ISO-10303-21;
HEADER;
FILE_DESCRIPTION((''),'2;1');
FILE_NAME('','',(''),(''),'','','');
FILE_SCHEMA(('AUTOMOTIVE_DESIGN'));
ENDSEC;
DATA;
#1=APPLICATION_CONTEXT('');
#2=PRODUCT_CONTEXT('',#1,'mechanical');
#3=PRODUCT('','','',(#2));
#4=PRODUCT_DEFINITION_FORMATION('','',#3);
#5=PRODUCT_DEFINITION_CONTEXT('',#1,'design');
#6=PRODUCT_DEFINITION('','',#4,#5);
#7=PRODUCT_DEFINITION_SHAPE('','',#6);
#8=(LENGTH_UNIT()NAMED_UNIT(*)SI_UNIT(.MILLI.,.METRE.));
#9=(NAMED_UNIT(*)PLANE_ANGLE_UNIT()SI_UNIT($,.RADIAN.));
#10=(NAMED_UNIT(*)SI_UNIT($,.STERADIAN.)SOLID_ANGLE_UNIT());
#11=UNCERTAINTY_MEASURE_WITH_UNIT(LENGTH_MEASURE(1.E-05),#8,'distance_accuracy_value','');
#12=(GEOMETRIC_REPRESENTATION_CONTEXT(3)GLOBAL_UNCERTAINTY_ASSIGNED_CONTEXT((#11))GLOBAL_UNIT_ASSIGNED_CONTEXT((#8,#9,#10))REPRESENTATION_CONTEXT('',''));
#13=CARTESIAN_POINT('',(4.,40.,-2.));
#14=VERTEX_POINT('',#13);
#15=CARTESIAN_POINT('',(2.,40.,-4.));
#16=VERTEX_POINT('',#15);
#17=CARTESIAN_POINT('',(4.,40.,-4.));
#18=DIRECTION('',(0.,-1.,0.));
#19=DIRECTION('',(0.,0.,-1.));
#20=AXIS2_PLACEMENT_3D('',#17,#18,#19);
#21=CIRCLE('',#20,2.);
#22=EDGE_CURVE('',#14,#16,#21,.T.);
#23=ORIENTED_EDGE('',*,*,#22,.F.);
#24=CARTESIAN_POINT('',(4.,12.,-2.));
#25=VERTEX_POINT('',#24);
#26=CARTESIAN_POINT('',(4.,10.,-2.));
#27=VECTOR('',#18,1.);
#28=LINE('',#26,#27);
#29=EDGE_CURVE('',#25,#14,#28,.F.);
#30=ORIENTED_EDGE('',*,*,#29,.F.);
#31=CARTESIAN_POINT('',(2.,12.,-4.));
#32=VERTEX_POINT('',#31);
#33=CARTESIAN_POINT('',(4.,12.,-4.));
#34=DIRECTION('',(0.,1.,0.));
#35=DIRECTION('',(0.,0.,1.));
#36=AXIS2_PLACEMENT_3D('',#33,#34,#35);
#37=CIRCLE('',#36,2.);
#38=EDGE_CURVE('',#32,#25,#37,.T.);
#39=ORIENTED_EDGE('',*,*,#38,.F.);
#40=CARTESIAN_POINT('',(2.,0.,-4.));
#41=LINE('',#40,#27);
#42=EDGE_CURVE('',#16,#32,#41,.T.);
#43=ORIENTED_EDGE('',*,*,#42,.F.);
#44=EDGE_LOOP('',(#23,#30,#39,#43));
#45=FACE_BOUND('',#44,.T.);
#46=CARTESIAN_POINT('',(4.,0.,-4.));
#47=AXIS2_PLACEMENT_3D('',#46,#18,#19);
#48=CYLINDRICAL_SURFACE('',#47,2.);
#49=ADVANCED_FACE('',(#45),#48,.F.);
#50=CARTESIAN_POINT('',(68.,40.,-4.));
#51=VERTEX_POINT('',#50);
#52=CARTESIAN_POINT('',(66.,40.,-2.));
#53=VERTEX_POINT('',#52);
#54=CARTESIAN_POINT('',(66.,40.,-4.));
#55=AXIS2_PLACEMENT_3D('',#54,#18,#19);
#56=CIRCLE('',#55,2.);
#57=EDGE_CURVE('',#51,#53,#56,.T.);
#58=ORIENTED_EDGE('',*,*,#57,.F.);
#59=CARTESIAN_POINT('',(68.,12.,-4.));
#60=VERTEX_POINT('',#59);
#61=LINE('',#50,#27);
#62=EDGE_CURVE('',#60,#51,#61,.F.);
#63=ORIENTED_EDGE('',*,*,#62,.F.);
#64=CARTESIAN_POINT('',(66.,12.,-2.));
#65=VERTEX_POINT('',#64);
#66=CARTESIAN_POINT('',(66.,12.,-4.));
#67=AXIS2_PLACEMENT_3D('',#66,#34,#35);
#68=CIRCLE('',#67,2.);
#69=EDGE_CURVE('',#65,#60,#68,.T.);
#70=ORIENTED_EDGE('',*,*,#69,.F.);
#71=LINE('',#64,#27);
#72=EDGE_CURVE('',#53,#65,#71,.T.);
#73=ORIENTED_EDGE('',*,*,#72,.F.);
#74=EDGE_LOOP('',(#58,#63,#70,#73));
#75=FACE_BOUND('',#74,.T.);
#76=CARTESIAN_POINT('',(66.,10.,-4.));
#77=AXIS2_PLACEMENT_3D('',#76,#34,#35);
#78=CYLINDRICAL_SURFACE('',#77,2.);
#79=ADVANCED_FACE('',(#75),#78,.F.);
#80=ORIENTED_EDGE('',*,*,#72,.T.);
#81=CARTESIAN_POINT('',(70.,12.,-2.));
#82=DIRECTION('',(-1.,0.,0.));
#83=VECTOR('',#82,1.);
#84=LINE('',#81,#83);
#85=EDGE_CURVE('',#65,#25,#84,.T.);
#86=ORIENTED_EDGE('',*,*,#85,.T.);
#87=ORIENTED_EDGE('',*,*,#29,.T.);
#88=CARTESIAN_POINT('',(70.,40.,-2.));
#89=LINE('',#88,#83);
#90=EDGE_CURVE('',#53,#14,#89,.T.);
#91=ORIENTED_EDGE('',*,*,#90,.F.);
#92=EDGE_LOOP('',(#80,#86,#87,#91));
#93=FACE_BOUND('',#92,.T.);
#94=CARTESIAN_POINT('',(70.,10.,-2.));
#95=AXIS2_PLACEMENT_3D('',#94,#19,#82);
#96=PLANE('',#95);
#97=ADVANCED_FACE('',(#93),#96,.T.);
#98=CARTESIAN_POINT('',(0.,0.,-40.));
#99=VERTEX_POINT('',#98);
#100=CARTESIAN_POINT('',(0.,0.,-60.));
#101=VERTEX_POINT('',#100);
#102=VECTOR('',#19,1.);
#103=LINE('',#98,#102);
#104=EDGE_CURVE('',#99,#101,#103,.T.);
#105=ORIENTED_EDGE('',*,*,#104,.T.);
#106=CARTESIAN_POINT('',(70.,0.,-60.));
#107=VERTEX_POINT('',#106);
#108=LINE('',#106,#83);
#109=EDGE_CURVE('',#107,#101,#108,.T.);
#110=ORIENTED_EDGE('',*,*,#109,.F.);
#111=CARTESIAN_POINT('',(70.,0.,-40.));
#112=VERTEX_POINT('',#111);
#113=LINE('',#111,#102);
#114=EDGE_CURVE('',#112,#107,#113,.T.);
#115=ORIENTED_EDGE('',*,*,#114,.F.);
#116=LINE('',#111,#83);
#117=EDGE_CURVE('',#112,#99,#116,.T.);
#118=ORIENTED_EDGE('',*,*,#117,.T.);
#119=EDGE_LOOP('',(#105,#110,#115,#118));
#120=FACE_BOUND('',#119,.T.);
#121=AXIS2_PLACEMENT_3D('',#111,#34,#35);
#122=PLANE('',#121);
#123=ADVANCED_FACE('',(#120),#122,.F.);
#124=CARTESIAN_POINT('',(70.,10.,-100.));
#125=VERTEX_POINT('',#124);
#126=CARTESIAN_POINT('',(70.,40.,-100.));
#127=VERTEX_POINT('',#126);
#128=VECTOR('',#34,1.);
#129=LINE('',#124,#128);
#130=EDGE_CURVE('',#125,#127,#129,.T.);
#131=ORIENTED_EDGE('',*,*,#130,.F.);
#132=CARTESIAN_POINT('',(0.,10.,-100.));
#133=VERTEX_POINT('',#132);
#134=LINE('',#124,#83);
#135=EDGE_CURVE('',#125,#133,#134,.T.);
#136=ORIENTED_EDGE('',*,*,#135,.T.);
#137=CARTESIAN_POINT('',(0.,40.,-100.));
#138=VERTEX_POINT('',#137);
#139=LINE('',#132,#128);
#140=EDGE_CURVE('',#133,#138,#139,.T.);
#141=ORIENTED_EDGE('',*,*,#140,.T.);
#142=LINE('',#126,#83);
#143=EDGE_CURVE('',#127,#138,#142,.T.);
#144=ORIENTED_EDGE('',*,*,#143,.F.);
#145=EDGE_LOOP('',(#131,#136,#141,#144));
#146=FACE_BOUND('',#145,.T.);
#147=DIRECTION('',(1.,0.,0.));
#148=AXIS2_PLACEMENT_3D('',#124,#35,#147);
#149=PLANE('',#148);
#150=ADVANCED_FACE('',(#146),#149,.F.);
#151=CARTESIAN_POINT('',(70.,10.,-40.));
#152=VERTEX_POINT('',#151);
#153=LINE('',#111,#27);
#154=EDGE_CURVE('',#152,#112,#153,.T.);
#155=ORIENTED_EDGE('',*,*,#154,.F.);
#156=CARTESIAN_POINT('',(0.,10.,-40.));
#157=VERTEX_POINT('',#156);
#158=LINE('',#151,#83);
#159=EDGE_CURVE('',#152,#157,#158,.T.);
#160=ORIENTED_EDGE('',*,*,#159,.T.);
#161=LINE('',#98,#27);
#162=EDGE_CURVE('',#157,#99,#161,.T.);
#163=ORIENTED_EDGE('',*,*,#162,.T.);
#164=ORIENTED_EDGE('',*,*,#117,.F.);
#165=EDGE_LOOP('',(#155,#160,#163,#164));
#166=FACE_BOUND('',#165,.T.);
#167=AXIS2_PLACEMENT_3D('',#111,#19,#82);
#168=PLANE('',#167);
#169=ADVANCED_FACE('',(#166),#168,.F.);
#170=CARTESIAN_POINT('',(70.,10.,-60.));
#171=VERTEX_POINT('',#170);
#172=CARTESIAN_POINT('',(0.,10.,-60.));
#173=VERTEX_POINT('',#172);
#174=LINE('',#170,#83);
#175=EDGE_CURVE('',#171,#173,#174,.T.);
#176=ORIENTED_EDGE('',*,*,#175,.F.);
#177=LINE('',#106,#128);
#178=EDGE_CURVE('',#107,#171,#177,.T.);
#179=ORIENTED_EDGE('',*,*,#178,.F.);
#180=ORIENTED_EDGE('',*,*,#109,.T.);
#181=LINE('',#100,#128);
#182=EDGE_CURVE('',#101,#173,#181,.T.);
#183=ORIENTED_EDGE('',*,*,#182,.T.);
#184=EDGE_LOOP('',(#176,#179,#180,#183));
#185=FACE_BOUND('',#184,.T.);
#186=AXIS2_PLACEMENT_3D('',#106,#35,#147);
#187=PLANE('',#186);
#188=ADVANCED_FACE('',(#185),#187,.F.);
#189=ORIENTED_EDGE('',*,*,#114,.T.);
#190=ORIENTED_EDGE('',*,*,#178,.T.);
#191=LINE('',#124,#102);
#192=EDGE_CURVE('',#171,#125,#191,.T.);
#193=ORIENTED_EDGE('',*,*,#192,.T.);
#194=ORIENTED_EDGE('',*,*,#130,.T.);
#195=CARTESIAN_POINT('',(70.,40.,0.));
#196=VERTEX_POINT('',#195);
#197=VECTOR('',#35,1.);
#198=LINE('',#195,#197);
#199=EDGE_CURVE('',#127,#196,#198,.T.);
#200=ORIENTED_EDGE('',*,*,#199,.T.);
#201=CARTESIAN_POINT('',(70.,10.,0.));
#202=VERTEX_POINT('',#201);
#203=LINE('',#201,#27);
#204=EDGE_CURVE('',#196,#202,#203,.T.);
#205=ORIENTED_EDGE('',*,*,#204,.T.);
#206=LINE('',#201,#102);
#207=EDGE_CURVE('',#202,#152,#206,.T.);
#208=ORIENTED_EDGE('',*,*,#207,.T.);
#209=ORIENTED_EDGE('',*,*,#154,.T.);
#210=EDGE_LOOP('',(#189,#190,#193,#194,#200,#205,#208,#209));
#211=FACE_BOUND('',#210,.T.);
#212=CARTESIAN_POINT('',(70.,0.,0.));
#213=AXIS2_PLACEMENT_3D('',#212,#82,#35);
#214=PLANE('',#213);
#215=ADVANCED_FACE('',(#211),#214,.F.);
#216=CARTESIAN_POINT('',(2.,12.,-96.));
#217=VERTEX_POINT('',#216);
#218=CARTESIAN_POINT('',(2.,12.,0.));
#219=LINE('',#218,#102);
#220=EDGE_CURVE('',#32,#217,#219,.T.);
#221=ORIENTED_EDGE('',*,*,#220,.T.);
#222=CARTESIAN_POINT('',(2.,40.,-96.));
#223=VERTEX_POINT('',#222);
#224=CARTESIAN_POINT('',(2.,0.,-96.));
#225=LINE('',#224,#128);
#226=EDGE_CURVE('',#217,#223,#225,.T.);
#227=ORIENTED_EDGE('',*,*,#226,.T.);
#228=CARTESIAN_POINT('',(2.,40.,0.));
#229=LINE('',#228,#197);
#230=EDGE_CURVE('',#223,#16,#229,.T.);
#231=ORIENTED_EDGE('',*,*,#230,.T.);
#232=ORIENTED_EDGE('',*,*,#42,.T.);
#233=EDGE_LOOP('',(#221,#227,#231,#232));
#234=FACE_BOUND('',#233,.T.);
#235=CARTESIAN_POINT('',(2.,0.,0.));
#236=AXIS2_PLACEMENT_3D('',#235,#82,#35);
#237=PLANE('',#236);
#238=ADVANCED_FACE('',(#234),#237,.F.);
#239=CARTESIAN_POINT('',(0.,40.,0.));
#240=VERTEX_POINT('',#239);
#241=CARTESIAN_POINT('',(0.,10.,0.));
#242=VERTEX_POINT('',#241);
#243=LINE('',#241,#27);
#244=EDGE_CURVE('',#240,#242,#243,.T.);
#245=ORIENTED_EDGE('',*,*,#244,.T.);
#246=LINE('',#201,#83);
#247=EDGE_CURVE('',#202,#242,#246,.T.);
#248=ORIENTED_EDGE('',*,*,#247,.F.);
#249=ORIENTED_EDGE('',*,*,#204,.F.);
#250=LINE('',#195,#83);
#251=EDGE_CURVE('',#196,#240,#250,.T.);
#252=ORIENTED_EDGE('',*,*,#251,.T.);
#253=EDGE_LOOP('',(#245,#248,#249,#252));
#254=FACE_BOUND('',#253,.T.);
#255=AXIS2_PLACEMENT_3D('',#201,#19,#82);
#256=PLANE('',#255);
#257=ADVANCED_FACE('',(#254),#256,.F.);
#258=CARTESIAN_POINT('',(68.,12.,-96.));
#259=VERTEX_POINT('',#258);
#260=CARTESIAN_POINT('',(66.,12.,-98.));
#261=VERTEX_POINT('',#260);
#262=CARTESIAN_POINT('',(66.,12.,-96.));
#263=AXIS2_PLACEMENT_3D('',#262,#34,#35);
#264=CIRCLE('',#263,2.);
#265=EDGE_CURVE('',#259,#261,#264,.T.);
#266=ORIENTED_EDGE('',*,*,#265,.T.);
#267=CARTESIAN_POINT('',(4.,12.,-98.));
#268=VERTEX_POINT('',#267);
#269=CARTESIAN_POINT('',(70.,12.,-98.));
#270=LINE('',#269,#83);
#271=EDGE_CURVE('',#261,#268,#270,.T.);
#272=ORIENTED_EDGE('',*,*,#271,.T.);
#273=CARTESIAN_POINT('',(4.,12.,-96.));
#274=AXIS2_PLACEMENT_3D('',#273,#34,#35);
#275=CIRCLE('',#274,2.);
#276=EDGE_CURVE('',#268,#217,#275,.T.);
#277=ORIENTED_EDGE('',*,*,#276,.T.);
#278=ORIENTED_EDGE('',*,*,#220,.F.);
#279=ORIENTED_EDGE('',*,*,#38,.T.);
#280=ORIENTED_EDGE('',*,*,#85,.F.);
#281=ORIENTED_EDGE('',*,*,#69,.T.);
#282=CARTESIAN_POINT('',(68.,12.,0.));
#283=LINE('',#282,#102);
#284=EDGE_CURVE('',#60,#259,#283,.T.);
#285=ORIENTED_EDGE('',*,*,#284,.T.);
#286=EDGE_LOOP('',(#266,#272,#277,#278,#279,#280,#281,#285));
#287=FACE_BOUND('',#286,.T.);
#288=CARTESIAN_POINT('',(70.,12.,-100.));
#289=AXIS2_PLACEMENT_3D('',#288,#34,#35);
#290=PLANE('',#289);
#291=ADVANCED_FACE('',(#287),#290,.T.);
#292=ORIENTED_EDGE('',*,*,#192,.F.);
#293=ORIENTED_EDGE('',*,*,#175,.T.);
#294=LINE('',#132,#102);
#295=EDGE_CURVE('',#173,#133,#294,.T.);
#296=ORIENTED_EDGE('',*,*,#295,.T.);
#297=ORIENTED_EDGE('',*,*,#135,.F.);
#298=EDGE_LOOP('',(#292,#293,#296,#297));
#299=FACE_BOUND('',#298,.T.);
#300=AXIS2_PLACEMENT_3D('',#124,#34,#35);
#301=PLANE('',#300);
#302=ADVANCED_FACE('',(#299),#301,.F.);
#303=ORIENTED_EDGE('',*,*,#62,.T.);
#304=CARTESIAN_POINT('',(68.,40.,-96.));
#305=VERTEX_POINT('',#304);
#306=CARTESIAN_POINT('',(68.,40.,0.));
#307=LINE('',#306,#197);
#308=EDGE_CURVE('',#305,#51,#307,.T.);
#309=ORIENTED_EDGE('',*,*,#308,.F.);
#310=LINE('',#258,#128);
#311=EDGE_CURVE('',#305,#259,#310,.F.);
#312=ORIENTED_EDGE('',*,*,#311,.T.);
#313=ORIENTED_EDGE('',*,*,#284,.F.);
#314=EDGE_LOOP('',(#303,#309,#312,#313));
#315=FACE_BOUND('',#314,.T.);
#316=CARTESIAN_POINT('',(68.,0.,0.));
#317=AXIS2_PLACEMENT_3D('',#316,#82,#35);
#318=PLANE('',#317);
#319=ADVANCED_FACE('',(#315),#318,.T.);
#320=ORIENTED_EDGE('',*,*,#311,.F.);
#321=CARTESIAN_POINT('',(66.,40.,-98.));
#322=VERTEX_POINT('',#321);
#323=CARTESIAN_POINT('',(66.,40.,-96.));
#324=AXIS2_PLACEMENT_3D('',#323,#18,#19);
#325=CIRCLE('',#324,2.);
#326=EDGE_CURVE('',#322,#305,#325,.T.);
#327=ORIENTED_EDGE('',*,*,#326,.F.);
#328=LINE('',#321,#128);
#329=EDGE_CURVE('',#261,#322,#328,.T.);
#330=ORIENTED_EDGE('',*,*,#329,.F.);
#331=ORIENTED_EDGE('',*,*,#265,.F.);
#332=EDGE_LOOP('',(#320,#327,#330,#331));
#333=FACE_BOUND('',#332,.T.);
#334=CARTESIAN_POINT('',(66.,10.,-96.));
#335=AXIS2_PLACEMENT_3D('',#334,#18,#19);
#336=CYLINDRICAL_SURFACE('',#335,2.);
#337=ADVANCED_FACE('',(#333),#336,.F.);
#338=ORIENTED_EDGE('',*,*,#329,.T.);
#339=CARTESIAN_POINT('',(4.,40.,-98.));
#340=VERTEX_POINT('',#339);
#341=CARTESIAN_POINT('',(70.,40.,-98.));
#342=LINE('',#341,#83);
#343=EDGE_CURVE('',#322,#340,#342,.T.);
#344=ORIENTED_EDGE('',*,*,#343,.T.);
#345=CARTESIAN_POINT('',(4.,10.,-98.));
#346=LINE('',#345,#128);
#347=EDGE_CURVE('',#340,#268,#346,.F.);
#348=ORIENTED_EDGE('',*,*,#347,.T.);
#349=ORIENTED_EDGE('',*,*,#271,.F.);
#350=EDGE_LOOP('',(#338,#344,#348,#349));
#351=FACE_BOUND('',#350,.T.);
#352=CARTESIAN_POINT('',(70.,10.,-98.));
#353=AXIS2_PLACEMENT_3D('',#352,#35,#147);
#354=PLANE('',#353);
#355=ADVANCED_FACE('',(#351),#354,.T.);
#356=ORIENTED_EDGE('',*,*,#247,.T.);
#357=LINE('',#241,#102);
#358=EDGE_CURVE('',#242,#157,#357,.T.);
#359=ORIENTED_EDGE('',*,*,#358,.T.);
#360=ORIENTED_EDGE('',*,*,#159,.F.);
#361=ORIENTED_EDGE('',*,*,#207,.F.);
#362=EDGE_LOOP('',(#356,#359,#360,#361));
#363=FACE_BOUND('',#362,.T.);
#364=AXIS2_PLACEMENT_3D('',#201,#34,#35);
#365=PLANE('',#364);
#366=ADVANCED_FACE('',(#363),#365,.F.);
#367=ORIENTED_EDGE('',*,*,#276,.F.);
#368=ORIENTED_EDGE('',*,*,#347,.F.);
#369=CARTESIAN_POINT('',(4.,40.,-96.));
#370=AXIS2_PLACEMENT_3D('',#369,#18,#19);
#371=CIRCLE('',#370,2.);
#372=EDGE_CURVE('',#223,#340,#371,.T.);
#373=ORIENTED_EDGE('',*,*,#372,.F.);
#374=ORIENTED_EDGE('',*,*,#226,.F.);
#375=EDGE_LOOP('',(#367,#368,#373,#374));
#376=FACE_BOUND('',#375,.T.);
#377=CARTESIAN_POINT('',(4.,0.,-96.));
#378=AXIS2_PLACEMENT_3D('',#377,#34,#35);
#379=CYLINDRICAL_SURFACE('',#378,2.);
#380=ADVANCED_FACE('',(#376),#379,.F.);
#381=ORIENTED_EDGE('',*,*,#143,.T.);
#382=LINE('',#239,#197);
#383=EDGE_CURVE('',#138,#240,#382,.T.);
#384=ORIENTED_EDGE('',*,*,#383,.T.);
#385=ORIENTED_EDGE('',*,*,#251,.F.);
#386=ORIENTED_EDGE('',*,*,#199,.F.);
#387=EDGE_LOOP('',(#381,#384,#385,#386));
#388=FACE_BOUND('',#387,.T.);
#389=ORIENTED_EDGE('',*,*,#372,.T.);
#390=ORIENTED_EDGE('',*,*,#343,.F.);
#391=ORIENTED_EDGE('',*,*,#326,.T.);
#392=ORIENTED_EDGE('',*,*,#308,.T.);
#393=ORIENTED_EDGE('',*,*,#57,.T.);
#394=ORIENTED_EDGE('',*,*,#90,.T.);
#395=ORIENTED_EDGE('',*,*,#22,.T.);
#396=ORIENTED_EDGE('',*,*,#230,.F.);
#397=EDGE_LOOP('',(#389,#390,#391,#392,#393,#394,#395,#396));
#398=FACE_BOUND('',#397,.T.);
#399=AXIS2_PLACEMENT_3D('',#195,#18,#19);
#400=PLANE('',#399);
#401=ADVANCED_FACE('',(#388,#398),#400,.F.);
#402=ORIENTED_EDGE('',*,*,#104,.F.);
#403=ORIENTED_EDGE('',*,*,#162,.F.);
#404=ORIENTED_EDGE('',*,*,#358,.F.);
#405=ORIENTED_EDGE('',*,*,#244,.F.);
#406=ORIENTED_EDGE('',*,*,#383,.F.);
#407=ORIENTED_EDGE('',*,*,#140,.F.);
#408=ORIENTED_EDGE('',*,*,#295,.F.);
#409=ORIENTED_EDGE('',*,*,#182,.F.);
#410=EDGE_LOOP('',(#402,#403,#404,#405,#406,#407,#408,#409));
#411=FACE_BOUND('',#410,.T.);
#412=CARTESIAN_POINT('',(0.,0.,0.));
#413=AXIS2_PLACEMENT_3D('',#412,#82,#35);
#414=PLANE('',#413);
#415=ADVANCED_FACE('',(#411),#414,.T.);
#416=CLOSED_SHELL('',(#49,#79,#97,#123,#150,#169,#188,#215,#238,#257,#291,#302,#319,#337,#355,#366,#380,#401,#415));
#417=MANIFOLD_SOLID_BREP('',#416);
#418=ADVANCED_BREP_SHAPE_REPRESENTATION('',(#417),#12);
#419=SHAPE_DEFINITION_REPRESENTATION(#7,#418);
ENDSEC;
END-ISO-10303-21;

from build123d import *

# Parameters (mm, degrees)
BOSS_EXTRUDE1_DEPTH        = 70
SHELL16_T                  = -2
SHELL16_THICKNESS_2_FACE_W = 16
SHELL16_THICKNESS_2_FACE_H = 66
SHELL16_THICKNESS_2_DEPTH  = 10
FILLET1_R                  = 2


with BuildPart() as part:
    # Sketch1 → Boss-Extrude1 (new body)
    with BuildSketch(Plane(origin=(0, 0, 0), x_dir=(0, 0, -1), z_dir=(1, 0, 0))):
        Polygon((40, 0), (60, 0), (60, 10), (100, 10), (100, 40), (0, 40), (0, 10), (40, 10), align=None)
    extrude(amount=BOSS_EXTRUDE1_DEPTH)

    # Shell16
    shell16_openings = [part.faces().sort_by_distance(p)[0] for p in [
        (35, 40, -50),
    ]]
    offset(amount=SHELL16_T, openings=shell16_openings, kind=Kind.INTERSECTION)

    # Shell16 thickness 2 face (on inner face of the shell) → Shell16 thickness 2 (add)
    with BuildSketch(Plane(origin=(35, 2, -50), x_dir=(0, 0, -1), z_dir=(0, -1, 0))):
        Rectangle(SHELL16_THICKNESS_2_FACE_W, SHELL16_THICKNESS_2_FACE_H)
    extrude(amount=-SHELL16_THICKNESS_2_DEPTH)

    # Fillet1
    fillet1_edges = [part.edges().sort_by_distance(p)[0] for p in [
        (2, 26, -98),
        (2, 26, -2),
        (68, 26, -98),
        (68, 26, -2),
    ]]
    fillet(fillet1_edges, radius=FILLET1_R)


solid = part.part
